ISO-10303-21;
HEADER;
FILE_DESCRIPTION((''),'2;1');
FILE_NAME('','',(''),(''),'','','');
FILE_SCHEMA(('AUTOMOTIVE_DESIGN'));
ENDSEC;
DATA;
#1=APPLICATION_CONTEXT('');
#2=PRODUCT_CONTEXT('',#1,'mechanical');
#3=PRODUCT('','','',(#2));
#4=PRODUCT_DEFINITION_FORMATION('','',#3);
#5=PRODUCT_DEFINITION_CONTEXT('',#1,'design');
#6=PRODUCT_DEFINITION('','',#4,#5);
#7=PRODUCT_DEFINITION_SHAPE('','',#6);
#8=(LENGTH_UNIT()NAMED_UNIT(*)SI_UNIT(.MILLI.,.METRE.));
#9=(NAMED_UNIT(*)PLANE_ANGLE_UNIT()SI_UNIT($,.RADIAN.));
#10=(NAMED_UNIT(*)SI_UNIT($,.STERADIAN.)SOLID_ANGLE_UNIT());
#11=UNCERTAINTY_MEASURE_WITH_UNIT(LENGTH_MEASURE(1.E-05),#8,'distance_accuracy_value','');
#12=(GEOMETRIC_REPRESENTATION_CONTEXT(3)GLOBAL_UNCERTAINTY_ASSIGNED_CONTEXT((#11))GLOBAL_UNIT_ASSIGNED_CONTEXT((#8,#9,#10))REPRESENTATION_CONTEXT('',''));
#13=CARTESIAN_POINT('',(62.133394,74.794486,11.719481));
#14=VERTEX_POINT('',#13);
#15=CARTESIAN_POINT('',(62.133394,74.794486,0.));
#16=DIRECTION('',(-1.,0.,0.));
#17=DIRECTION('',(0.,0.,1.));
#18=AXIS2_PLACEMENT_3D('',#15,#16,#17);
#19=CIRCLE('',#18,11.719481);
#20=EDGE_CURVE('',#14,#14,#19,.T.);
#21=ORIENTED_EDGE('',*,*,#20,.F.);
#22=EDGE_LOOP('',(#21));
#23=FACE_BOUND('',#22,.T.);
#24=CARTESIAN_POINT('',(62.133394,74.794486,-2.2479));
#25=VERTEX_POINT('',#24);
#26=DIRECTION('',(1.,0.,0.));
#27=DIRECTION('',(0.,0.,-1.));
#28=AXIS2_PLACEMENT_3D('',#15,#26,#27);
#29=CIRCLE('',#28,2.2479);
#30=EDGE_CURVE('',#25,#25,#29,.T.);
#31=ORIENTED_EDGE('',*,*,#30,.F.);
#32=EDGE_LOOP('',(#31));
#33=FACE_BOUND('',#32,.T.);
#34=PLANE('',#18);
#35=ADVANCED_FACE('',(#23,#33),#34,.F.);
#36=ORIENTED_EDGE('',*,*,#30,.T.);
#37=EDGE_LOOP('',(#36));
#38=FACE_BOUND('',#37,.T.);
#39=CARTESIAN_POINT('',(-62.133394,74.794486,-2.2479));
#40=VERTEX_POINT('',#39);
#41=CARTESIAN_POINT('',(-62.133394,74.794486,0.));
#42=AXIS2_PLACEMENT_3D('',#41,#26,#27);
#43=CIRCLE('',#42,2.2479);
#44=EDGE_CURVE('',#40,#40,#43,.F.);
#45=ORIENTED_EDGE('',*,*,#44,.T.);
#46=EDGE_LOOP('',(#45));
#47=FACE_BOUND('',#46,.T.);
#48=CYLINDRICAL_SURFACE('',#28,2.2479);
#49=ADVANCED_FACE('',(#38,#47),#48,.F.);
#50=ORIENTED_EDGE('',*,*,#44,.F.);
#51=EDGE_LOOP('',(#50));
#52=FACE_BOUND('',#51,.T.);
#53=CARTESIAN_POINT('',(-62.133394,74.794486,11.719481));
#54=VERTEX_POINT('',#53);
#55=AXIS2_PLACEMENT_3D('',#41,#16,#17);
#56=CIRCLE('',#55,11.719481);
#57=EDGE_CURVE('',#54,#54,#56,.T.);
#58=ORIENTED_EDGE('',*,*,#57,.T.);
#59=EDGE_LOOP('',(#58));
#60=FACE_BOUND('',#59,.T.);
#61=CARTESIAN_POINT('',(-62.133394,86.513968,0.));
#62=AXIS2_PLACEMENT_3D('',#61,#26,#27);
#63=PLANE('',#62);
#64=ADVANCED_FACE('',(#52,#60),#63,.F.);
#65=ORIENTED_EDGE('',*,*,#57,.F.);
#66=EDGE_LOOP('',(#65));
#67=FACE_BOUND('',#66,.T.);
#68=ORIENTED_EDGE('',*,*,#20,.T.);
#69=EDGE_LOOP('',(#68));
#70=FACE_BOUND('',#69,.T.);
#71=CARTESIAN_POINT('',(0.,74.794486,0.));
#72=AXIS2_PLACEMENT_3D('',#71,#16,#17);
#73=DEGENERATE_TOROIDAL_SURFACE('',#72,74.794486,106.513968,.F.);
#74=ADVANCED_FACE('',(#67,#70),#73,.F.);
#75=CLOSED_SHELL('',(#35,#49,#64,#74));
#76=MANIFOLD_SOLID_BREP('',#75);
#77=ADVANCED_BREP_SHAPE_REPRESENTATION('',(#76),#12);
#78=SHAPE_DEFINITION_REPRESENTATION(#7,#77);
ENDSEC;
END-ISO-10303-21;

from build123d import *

# Parameters (mm, degrees)
TALADRO_DE_MARGEN_PARA_81_D = 4.4958


with BuildPart() as part:
    # Croquis2 → Revolución1 (revolve)
    with BuildSketch(Plane.XY, mode=Mode.PRIVATE) as revoluci_n1_sk:
        with BuildLine():
            Line((-62.133394455, 86.513967662), (-62.133394455, 74.794486468))
            Line((-62.133394455, 74.794486468), (62.133394455, 74.794486468))
            Line((62.133394455, 74.794486468), (62.133394455, 86.513967662))
            ThreePointArc((62.133394455, 86.513967662), (0, 106.513967662), (-62.133394455, 86.513967662))
        make_face()
    revolve(revoluci_n1_sk.sketch.rotate(Axis((-62.133394455, 74.794486468, 0), (1, 0, 0)), 90), axis=Axis((-62.133394455, 74.794486468, 0), (1, 0, 0)))

    # Taladro de margen para #81 (through all)
    with Locations(Plane(origin=(62.133394455, 0, 0), x_dir=(0, 0, -1), z_dir=(1, 0, 0))):
        with Locations((0, 74.794486468)):
            Hole(TALADRO_DE_MARGEN_PARA_81_D / 2)


solid = part.part
